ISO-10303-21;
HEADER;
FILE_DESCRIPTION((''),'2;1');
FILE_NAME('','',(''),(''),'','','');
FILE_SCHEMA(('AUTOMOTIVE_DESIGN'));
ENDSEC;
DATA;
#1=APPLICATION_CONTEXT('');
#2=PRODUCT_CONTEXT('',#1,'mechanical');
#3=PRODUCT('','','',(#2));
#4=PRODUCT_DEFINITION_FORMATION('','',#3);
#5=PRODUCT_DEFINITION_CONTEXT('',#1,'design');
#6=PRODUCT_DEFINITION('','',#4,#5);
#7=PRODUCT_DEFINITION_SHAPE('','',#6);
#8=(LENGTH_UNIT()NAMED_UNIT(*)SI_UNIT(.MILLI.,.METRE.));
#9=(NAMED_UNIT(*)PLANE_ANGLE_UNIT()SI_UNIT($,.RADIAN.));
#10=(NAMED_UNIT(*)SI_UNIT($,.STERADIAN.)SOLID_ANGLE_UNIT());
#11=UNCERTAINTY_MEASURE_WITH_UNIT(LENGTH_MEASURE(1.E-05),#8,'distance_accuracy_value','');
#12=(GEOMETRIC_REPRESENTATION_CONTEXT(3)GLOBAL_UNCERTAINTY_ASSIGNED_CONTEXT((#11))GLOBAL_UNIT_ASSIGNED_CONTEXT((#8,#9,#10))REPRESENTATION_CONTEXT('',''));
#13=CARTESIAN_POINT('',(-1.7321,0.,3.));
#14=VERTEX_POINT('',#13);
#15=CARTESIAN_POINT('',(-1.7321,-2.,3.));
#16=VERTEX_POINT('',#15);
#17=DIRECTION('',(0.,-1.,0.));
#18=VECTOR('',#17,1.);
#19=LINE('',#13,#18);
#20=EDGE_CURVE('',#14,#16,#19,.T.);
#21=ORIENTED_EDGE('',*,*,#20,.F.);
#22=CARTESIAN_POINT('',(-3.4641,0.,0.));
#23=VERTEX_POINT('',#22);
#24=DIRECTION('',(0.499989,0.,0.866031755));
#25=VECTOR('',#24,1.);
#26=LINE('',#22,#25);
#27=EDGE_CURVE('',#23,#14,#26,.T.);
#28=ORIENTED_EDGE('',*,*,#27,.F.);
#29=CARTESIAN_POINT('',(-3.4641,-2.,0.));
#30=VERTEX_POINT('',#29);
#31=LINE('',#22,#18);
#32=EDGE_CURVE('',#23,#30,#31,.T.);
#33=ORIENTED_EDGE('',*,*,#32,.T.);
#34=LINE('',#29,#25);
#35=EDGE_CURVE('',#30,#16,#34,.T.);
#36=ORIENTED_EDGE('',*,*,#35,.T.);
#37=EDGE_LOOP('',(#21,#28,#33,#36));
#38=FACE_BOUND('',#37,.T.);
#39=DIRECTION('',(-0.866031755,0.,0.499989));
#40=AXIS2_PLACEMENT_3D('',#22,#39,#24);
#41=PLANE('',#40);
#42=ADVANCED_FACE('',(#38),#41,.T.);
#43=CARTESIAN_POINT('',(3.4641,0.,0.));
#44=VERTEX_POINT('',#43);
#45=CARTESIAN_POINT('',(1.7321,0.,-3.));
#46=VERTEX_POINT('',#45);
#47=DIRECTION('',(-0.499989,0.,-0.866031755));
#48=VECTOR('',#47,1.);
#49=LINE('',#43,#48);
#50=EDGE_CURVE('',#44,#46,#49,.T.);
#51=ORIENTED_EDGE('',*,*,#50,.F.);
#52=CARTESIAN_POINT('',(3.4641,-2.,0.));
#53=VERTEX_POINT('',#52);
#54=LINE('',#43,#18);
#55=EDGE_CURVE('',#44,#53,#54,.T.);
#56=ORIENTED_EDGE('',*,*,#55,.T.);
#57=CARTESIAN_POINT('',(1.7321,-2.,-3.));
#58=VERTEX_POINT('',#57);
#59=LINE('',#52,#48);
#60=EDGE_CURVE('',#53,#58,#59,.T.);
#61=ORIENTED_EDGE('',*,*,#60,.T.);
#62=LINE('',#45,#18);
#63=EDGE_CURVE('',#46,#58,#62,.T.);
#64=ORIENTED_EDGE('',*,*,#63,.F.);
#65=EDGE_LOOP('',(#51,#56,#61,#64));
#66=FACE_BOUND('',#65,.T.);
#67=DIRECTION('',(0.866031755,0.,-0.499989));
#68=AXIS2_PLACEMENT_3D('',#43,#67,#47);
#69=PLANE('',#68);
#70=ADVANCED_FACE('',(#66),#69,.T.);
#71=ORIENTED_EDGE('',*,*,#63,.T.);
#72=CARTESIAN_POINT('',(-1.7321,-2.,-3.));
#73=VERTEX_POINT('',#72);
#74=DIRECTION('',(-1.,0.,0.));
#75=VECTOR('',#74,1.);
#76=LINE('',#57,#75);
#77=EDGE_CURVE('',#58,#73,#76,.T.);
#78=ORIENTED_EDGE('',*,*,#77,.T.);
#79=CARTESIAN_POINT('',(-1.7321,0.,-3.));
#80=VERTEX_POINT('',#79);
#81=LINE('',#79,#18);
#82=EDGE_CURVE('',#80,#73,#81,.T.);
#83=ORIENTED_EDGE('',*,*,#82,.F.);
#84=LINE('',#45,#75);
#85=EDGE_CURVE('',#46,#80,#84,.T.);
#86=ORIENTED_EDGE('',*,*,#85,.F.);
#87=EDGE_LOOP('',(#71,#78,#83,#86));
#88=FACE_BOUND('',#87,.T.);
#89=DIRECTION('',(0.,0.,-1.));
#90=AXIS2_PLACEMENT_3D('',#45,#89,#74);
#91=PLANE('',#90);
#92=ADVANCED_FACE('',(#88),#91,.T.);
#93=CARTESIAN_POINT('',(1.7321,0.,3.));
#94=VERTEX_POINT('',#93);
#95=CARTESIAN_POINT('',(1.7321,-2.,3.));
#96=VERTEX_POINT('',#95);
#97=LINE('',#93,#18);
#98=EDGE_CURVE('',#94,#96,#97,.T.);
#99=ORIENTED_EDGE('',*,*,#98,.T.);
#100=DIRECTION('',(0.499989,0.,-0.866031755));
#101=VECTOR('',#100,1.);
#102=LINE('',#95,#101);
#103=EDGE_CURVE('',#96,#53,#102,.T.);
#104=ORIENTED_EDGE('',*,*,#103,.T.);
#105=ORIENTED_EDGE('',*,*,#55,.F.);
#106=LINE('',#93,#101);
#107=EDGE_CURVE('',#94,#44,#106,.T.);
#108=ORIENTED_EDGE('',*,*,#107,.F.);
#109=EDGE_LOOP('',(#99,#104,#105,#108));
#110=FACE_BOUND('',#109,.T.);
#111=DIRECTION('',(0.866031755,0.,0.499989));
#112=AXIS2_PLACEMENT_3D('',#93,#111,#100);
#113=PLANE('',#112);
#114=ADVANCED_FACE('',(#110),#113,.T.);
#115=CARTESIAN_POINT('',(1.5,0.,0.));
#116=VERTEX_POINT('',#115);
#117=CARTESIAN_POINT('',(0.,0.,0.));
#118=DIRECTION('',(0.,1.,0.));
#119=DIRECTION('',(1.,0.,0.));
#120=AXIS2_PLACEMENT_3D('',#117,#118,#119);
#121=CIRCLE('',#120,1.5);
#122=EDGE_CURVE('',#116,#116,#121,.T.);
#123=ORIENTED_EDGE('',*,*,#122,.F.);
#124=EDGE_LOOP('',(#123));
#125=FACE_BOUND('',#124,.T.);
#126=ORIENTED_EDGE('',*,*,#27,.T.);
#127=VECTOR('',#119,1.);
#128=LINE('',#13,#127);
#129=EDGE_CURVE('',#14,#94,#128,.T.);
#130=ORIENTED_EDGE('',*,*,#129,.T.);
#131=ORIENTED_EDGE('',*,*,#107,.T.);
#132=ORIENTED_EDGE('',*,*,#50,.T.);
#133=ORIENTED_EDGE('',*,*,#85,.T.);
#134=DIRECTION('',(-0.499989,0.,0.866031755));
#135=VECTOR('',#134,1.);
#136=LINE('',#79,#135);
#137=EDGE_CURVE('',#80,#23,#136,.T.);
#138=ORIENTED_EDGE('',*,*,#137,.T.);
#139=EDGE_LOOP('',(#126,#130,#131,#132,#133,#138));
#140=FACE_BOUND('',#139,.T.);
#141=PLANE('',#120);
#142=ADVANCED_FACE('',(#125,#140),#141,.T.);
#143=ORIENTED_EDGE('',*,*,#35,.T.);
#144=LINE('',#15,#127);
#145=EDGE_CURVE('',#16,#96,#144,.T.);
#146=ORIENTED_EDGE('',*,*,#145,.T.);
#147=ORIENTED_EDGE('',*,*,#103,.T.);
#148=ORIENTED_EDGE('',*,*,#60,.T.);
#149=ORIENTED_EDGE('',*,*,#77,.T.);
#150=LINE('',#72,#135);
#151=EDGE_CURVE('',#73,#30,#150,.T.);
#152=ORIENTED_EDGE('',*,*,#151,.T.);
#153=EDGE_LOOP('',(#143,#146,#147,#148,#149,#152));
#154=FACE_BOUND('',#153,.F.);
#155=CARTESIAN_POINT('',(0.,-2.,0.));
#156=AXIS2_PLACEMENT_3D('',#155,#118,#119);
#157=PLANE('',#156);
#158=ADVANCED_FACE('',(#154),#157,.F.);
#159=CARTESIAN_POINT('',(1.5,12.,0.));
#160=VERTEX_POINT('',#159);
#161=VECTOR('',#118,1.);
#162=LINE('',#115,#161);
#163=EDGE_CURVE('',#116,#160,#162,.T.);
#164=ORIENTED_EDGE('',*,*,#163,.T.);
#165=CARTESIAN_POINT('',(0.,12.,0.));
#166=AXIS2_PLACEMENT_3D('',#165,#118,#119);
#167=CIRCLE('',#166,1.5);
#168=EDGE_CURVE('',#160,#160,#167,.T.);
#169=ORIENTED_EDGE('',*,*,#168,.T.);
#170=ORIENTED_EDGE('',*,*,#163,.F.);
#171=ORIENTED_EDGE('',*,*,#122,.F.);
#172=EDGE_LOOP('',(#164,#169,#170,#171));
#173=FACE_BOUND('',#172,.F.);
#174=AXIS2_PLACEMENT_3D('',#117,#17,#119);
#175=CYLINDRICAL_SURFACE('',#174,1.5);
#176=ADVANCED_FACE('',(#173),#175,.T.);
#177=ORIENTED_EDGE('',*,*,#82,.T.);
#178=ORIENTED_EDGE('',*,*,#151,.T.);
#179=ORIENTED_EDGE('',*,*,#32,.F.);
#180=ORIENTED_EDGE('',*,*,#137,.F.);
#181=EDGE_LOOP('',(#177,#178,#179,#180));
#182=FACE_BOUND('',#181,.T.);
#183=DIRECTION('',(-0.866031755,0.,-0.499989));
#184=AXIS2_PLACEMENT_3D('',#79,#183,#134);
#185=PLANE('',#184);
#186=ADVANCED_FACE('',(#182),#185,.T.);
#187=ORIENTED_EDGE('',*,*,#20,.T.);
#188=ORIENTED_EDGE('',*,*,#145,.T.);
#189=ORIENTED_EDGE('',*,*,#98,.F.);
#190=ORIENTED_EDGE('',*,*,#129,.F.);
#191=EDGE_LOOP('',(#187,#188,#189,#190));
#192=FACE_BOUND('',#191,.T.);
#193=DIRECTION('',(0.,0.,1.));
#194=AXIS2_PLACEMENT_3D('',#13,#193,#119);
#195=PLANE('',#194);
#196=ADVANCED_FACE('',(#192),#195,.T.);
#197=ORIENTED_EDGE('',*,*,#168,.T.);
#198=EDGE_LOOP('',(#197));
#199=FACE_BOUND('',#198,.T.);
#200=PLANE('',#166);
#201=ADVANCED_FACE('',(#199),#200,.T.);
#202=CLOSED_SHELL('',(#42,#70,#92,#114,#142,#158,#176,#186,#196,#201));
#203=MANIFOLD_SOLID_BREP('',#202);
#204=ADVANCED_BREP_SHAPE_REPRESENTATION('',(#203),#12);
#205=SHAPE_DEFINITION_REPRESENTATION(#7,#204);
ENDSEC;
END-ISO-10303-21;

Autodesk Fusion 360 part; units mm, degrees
sketch "Sketch1" plane through (0, 0, 0) normal (0, 1, 0) x (1, 0, 0)
  circle A0 centre (0, 0) radius 1.5
  line L0 (-1.7321, 3) -> (-3.4641, 0)
  line L1 (-3.4641, 0) -> (-1.7321, -3)
  line L2 (-1.7321, -3) -> (1.7321, -3)
  line L3 (1.7321, -3) -> (3.4641, 0)
  line L4 (3.4641, 0) -> (1.7321, 3)
  line L5 (1.7321, 3) -> (-1.7321, 3)
  dimension "d1" = 3
  dimension "d2" = 6
extrude "Extrude1" add sketch "Sketch1" along normal blind 12 contours A0
extrude "Extrude2" add sketch "Sketch1" against normal blind 2 contours A0 | L0 L1 L2 L3 L4 L5
